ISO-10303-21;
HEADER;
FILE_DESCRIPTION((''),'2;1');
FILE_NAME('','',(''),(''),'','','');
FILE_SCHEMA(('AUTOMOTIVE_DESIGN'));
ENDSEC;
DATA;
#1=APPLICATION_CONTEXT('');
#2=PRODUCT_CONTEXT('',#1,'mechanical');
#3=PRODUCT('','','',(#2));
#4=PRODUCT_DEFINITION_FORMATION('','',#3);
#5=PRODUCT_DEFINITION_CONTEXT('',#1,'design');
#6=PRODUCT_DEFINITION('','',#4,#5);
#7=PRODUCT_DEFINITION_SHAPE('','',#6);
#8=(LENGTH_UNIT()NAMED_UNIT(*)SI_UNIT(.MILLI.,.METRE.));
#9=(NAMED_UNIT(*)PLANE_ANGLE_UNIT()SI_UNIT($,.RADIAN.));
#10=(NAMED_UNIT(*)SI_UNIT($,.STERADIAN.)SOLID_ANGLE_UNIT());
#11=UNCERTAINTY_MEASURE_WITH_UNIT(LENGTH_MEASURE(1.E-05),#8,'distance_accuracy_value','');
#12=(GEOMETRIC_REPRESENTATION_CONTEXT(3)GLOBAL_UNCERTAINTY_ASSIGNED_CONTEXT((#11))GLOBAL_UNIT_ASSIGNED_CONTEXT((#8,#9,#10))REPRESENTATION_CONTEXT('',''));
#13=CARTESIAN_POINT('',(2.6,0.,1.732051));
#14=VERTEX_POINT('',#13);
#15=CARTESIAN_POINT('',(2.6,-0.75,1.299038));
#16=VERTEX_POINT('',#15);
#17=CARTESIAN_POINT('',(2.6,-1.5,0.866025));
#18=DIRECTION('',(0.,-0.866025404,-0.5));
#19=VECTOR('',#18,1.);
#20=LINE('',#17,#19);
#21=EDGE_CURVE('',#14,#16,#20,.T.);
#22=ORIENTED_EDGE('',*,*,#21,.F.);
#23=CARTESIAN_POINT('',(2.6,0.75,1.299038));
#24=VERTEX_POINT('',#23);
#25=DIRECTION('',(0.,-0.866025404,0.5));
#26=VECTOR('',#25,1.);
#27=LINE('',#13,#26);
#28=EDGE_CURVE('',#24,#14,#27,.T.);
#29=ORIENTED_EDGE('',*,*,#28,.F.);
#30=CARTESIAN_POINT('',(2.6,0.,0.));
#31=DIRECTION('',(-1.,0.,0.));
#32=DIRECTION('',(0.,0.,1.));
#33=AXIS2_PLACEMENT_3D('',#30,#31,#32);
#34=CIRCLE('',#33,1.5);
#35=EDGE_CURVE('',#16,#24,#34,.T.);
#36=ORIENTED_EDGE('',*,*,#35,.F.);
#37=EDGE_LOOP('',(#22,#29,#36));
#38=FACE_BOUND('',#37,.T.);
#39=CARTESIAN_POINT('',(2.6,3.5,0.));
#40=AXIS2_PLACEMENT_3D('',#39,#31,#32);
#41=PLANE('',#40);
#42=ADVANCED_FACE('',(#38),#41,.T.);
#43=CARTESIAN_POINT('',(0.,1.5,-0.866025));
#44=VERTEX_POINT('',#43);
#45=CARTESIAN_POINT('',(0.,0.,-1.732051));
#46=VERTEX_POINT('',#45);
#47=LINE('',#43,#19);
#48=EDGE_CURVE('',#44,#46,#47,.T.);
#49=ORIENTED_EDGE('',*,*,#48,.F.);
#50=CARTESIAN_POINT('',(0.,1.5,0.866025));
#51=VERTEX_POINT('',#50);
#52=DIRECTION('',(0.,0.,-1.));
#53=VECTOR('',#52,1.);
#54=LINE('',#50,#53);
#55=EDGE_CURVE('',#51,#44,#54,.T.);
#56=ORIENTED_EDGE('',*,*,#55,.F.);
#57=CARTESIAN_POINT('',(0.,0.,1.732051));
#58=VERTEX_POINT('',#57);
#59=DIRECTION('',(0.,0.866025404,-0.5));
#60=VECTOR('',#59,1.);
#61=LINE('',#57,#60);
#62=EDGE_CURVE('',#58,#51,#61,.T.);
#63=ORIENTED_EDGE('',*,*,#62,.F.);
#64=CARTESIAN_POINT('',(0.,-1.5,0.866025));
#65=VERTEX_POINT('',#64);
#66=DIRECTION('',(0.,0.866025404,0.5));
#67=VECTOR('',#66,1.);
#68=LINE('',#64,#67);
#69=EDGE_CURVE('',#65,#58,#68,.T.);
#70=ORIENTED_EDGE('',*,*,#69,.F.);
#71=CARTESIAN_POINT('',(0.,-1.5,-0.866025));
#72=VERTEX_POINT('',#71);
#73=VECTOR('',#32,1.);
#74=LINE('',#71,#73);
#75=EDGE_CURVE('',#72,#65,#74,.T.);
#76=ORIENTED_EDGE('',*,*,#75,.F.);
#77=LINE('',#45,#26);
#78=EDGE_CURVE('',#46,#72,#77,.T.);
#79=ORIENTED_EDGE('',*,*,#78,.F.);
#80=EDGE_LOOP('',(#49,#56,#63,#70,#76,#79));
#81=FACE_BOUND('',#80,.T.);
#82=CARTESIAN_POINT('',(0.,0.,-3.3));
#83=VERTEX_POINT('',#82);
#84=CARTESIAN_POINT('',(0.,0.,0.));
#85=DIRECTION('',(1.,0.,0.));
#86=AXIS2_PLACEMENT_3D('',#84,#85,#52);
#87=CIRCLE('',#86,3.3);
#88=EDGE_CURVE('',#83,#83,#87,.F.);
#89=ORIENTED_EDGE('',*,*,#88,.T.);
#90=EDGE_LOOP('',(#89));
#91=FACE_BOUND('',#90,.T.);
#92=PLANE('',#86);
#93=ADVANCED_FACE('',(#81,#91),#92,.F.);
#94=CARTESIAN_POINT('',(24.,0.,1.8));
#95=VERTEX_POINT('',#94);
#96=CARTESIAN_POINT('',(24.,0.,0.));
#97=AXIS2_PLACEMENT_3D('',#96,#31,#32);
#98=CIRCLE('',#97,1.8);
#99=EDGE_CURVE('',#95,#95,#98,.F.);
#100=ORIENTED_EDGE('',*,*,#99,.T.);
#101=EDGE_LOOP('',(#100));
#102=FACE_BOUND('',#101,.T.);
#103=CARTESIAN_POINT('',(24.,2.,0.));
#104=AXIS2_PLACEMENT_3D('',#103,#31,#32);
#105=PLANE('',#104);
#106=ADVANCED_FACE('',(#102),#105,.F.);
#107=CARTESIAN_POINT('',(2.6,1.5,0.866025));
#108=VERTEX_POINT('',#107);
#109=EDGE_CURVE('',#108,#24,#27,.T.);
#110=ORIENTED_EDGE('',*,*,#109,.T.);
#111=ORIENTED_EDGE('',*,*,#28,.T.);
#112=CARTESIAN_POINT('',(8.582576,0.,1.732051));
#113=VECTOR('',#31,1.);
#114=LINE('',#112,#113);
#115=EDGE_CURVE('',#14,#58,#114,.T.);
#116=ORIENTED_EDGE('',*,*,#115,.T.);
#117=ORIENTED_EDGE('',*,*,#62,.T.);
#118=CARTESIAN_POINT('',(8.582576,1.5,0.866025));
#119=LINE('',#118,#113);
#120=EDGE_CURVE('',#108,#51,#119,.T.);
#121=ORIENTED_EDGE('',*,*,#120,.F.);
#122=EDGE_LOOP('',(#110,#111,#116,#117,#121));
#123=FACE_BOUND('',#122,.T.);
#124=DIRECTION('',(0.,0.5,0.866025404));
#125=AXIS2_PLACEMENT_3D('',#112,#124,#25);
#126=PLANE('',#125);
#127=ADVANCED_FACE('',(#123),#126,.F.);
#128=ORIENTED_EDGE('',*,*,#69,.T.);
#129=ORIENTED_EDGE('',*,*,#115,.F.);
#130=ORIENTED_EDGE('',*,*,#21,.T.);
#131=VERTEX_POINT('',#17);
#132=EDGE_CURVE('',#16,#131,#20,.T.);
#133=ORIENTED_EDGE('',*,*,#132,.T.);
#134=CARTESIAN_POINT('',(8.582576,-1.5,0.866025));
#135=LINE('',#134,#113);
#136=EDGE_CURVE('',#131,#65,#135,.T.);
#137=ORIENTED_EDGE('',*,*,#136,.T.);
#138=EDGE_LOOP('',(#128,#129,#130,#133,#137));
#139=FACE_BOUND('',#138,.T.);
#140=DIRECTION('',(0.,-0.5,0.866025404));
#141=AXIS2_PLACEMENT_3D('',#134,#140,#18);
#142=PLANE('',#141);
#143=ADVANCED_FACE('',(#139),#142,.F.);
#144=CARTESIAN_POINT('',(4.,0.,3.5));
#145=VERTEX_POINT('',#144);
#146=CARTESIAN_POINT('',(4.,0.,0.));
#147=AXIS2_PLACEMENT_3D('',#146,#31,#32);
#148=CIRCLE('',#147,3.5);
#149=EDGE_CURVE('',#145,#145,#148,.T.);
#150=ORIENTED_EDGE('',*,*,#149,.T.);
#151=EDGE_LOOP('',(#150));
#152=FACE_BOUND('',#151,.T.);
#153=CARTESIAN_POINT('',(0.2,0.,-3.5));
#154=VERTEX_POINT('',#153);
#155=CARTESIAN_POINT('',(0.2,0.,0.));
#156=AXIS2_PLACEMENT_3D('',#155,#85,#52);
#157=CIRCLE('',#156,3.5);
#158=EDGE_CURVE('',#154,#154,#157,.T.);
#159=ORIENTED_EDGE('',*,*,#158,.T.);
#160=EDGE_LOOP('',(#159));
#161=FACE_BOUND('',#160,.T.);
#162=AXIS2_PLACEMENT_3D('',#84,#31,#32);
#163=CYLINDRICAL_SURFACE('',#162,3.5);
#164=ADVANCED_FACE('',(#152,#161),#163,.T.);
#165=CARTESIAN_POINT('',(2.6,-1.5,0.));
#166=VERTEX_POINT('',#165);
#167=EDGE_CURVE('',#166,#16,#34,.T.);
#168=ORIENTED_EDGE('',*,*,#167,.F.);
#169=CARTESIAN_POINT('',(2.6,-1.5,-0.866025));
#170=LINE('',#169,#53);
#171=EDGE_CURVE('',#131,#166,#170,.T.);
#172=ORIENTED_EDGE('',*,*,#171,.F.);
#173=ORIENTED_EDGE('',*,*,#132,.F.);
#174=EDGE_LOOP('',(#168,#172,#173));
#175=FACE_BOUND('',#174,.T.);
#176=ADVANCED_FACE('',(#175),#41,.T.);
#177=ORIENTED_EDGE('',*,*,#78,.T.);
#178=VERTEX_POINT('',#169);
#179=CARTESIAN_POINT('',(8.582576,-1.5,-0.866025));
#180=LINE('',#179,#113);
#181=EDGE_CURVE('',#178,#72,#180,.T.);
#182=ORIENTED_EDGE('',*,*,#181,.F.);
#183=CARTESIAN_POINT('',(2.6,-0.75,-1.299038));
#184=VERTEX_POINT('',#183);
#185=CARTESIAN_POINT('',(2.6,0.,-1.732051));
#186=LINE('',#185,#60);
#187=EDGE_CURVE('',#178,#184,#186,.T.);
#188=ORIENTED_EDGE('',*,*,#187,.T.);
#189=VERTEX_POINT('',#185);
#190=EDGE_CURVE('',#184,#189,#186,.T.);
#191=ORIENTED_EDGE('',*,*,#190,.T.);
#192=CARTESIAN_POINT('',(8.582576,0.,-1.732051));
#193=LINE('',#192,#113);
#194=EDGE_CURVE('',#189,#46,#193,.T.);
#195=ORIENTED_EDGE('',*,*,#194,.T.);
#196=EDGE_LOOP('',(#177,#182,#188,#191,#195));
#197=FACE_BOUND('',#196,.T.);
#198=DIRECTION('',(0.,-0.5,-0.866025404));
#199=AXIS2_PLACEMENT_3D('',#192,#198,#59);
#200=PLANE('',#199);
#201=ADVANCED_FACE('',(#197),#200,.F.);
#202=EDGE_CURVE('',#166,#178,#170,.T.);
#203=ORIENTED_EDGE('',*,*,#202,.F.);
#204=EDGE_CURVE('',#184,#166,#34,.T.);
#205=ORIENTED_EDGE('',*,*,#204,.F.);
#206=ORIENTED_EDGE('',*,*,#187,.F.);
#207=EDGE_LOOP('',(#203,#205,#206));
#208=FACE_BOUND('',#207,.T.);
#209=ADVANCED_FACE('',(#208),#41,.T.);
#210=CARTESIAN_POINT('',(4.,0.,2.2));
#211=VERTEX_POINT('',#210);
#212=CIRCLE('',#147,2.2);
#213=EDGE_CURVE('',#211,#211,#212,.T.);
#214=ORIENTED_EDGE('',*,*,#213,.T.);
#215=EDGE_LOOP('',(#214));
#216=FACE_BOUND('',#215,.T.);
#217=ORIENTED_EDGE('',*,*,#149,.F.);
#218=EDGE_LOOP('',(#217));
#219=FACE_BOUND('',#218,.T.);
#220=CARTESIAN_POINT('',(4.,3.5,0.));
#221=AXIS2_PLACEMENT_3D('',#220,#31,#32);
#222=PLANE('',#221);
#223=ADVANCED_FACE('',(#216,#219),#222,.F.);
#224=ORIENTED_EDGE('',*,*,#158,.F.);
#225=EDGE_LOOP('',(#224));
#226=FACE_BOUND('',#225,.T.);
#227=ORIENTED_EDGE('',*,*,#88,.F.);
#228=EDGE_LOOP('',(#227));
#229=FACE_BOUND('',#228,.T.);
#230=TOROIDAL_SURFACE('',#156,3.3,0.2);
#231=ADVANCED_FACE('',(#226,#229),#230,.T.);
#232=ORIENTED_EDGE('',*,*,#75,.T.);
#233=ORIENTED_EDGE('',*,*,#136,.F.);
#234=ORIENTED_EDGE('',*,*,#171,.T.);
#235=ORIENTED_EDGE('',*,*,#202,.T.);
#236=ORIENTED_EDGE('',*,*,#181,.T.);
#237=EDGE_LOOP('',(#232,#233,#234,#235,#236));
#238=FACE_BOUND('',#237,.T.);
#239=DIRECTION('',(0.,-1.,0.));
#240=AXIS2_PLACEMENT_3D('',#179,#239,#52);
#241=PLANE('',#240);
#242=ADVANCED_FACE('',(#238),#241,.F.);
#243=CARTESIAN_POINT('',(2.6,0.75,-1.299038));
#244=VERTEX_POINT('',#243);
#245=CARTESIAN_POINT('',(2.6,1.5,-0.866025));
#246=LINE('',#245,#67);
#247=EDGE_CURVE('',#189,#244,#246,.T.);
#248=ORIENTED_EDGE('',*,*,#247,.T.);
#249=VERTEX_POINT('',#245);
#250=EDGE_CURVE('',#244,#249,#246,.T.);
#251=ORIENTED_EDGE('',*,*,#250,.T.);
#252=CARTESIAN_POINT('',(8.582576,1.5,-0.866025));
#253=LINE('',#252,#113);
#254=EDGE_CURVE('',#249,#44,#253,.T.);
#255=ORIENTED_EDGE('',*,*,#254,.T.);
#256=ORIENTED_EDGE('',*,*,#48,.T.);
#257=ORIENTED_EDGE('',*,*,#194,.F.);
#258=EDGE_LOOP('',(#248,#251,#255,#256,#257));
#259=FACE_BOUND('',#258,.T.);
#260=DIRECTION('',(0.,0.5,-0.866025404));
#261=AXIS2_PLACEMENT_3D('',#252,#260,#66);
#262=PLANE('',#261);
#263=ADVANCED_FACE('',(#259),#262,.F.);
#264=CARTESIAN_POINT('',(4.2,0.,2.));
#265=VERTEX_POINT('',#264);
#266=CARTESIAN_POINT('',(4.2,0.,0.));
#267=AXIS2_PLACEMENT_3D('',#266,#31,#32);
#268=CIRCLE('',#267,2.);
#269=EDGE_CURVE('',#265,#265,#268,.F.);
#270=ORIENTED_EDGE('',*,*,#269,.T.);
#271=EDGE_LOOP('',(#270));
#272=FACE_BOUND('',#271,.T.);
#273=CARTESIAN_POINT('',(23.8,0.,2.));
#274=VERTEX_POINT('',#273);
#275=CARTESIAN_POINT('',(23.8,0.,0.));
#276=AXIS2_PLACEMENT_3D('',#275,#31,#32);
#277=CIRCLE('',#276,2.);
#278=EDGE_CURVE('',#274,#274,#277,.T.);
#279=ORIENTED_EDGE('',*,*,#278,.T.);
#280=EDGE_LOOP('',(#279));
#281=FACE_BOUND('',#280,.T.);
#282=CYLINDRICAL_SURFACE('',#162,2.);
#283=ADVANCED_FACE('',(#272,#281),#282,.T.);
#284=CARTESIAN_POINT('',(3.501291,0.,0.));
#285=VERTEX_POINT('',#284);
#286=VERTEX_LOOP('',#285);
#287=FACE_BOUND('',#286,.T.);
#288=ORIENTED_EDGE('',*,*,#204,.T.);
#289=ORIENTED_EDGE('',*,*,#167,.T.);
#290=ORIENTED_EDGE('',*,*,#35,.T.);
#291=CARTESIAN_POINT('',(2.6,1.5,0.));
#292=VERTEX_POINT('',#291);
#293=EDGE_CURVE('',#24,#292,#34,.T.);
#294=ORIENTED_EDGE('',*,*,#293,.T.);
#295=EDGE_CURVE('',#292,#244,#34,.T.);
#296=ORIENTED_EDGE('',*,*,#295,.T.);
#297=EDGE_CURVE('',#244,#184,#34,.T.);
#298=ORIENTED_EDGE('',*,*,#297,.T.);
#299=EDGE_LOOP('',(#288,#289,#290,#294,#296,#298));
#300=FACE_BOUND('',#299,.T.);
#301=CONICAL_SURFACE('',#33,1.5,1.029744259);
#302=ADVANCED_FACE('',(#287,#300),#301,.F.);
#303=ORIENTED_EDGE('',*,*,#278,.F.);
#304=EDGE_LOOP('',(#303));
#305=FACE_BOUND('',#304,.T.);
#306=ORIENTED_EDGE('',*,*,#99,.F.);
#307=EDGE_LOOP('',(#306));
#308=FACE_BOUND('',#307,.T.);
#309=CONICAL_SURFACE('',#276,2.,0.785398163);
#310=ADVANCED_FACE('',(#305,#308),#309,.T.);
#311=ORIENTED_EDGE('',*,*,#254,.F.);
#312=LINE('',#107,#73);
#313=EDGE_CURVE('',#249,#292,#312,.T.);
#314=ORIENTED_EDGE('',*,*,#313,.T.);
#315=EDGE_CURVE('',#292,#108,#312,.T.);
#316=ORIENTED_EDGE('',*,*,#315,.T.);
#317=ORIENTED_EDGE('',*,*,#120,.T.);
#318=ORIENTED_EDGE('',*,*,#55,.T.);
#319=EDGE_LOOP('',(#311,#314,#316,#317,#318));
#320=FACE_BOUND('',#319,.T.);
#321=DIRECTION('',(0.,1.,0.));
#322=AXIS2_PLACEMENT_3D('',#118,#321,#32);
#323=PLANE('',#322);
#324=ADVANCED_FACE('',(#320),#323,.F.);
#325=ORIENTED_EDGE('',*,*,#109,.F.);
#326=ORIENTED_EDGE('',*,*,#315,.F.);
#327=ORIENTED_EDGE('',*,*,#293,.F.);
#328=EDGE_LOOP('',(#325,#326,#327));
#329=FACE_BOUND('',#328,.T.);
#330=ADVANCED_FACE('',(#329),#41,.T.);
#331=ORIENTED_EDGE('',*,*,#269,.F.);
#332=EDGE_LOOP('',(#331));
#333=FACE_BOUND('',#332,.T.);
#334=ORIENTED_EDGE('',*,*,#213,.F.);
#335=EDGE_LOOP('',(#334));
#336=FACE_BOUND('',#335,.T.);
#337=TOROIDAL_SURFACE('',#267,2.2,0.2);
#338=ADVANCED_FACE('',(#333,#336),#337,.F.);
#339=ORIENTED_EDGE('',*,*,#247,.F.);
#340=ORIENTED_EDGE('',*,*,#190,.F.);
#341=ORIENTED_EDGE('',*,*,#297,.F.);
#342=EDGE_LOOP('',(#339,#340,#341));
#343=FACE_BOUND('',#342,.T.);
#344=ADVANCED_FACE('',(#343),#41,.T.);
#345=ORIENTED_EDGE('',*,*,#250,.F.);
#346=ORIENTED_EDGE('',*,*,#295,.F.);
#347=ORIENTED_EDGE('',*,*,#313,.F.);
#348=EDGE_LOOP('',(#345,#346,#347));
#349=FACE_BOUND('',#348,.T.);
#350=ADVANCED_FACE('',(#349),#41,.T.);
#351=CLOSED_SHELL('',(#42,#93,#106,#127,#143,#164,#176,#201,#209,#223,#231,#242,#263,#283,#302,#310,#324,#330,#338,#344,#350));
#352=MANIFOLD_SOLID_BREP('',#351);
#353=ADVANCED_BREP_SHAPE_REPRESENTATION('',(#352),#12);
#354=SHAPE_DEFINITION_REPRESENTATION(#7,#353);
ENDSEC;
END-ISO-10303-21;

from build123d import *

# Parameters (mm, degrees)
HOLE_WIZARD_3_0_3_1_D     = 3
HOLE_WIZARD_3_0_3_1_DEPTH = 2.6
HOLE_WIZARD_3_0_3_1_TIP   = 0.901290929
CUT_EXTRUDE_1_DEPTH       = 2.6
FILLET_1_R                = 0.2
CHAMFER_1_SIZE            = 0.2


with BuildPart() as part:
    # 草图1 → 旋转1 (revolve)
    with BuildSketch(Plane.XY):
        Polygon((0, 0), (0, 3.5), (4, 3.5), (4, 2), (24, 2), (24, 0), align=None)
    revolve(axis=Axis((0, 0, 0), (1, 0, 0)))

    # Ø3.0 (3) 直径孔1
    with Locations(Plane.ZY):
        with Locations((0, 0)):
            Hole(HOLE_WIZARD_3_0_3_1_D / 2, depth=HOLE_WIZARD_3_0_3_1_DEPTH)
            with Locations((0, 0, -(HOLE_WIZARD_3_0_3_1_DEPTH + HOLE_WIZARD_3_0_3_1_TIP / 2))):  # 118° drill point
                Cone(0, HOLE_WIZARD_3_0_3_1_D / 2, HOLE_WIZARD_3_0_3_1_TIP, mode=Mode.SUBTRACT)

    # 草图2 → 切除-拉伸1 (cut)
    with BuildSketch(Plane.ZY):
        Polygon((0.866025404, 1.5), (-0.866025404, 1.5), (-1.732050808, 0), (-0.866025404, -1.5), (0.866025404, -1.5), (1.732050808, 0), align=None)
    extrude(amount=-CUT_EXTRUDE_1_DEPTH, mode=Mode.SUBTRACT)

    # 圆角1
    fillet_1_edges = [part.edges().sort_by_distance(p)[0] for p in [
        (4, -2, 0),
        (0, -3.5, 0),
    ]]
    fillet(fillet_1_edges, radius=FILLET_1_R)

    # 倒角1
    chamfer_1_edges = [part.edges().sort_by_distance(p)[0] for p in [
        (24, -2, 0),
    ]]
    chamfer(chamfer_1_edges, length=CHAMFER_1_SIZE)


solid = part.part
